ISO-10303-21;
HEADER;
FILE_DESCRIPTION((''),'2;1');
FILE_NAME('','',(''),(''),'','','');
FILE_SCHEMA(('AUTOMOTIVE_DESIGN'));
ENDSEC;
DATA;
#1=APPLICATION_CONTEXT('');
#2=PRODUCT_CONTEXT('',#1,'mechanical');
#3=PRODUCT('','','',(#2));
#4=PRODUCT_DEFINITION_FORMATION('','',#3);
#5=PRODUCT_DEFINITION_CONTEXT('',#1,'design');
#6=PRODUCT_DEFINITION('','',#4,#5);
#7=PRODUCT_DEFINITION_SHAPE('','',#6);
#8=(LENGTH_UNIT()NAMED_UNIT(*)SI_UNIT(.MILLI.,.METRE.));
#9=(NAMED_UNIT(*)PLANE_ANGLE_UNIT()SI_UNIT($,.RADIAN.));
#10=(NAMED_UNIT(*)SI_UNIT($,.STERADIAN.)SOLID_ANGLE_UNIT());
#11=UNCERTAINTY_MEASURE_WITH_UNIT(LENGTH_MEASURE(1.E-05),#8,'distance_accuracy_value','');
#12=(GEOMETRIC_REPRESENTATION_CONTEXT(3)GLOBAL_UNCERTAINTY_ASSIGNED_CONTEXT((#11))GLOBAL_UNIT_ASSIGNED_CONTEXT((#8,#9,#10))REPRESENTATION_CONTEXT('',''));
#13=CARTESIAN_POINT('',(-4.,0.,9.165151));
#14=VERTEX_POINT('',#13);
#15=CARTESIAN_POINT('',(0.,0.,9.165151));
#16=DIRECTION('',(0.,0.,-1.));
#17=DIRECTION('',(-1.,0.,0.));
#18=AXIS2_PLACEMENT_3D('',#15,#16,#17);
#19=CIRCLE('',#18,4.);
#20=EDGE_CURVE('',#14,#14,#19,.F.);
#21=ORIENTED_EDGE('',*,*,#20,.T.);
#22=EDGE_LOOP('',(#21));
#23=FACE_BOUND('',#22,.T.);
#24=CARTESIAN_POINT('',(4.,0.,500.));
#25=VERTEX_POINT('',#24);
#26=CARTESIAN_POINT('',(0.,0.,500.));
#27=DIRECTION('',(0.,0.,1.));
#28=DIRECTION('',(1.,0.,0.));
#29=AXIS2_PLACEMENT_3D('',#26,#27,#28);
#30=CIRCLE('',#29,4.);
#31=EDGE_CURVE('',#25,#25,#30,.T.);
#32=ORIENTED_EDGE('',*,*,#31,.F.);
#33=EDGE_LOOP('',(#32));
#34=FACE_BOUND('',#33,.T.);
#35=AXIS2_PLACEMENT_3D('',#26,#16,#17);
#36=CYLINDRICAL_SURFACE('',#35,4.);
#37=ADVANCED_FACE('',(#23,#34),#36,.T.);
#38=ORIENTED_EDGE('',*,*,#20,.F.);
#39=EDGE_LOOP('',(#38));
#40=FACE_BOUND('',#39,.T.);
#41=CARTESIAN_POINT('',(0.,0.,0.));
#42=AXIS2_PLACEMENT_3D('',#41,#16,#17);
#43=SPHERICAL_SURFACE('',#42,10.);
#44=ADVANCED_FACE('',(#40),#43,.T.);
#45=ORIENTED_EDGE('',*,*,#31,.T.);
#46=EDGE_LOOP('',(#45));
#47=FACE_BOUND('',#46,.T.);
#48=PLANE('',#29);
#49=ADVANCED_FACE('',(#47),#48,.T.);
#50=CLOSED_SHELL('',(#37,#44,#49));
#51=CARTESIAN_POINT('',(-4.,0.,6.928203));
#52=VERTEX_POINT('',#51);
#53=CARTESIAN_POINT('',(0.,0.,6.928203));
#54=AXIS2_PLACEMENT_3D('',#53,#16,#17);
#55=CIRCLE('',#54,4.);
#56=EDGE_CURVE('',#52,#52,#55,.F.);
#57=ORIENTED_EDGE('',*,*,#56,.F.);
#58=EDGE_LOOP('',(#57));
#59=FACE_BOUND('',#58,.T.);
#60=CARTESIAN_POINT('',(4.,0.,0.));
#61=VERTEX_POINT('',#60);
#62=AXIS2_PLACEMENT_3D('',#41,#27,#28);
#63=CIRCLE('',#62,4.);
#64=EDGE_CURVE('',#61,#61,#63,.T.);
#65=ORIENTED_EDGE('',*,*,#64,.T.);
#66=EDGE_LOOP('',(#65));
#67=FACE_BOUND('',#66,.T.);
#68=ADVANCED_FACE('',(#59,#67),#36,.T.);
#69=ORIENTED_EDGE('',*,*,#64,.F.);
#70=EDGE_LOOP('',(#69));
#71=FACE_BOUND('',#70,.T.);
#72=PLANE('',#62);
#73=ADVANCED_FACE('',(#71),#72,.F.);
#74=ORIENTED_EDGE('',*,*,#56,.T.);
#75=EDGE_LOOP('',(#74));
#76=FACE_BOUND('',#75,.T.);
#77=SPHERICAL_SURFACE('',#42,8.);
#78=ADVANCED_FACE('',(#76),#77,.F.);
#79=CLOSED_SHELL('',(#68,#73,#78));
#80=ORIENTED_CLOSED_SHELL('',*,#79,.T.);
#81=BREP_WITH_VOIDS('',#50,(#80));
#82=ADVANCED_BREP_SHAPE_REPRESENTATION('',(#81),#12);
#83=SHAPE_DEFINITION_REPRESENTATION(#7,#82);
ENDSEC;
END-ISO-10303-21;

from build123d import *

# Parameters (mm, degrees)
SKETCH3_R           = 4
BOSS_EXTRUDE2_DEPTH = 500


with BuildPart() as part:
    # Sketch1 → Revolve-Thin2 (revolve)
    with BuildSketch(Plane.XY):
        with BuildLine():
            ThreePointArc((10, 0), (0, 10), (-10, 0))
            Line((-10, 0), (-8, 0))
            ThreePointArc((-8, 0), (0, 8), (8, 0))
            Line((8, 0), (10, 0))
        make_face()
    revolve(axis=Axis((-27.497028361, 0, 0), (1, 0, 0)))

    # Sketch3 → Boss-Extrude2 (add)
    with BuildSketch(Plane.XY):
        with Locations(Location((0, 0, 0), (0, 0, 180))):
            Circle(SKETCH3_R)
    extrude(amount=BOSS_EXTRUDE2_DEPTH)


solid = part.part
